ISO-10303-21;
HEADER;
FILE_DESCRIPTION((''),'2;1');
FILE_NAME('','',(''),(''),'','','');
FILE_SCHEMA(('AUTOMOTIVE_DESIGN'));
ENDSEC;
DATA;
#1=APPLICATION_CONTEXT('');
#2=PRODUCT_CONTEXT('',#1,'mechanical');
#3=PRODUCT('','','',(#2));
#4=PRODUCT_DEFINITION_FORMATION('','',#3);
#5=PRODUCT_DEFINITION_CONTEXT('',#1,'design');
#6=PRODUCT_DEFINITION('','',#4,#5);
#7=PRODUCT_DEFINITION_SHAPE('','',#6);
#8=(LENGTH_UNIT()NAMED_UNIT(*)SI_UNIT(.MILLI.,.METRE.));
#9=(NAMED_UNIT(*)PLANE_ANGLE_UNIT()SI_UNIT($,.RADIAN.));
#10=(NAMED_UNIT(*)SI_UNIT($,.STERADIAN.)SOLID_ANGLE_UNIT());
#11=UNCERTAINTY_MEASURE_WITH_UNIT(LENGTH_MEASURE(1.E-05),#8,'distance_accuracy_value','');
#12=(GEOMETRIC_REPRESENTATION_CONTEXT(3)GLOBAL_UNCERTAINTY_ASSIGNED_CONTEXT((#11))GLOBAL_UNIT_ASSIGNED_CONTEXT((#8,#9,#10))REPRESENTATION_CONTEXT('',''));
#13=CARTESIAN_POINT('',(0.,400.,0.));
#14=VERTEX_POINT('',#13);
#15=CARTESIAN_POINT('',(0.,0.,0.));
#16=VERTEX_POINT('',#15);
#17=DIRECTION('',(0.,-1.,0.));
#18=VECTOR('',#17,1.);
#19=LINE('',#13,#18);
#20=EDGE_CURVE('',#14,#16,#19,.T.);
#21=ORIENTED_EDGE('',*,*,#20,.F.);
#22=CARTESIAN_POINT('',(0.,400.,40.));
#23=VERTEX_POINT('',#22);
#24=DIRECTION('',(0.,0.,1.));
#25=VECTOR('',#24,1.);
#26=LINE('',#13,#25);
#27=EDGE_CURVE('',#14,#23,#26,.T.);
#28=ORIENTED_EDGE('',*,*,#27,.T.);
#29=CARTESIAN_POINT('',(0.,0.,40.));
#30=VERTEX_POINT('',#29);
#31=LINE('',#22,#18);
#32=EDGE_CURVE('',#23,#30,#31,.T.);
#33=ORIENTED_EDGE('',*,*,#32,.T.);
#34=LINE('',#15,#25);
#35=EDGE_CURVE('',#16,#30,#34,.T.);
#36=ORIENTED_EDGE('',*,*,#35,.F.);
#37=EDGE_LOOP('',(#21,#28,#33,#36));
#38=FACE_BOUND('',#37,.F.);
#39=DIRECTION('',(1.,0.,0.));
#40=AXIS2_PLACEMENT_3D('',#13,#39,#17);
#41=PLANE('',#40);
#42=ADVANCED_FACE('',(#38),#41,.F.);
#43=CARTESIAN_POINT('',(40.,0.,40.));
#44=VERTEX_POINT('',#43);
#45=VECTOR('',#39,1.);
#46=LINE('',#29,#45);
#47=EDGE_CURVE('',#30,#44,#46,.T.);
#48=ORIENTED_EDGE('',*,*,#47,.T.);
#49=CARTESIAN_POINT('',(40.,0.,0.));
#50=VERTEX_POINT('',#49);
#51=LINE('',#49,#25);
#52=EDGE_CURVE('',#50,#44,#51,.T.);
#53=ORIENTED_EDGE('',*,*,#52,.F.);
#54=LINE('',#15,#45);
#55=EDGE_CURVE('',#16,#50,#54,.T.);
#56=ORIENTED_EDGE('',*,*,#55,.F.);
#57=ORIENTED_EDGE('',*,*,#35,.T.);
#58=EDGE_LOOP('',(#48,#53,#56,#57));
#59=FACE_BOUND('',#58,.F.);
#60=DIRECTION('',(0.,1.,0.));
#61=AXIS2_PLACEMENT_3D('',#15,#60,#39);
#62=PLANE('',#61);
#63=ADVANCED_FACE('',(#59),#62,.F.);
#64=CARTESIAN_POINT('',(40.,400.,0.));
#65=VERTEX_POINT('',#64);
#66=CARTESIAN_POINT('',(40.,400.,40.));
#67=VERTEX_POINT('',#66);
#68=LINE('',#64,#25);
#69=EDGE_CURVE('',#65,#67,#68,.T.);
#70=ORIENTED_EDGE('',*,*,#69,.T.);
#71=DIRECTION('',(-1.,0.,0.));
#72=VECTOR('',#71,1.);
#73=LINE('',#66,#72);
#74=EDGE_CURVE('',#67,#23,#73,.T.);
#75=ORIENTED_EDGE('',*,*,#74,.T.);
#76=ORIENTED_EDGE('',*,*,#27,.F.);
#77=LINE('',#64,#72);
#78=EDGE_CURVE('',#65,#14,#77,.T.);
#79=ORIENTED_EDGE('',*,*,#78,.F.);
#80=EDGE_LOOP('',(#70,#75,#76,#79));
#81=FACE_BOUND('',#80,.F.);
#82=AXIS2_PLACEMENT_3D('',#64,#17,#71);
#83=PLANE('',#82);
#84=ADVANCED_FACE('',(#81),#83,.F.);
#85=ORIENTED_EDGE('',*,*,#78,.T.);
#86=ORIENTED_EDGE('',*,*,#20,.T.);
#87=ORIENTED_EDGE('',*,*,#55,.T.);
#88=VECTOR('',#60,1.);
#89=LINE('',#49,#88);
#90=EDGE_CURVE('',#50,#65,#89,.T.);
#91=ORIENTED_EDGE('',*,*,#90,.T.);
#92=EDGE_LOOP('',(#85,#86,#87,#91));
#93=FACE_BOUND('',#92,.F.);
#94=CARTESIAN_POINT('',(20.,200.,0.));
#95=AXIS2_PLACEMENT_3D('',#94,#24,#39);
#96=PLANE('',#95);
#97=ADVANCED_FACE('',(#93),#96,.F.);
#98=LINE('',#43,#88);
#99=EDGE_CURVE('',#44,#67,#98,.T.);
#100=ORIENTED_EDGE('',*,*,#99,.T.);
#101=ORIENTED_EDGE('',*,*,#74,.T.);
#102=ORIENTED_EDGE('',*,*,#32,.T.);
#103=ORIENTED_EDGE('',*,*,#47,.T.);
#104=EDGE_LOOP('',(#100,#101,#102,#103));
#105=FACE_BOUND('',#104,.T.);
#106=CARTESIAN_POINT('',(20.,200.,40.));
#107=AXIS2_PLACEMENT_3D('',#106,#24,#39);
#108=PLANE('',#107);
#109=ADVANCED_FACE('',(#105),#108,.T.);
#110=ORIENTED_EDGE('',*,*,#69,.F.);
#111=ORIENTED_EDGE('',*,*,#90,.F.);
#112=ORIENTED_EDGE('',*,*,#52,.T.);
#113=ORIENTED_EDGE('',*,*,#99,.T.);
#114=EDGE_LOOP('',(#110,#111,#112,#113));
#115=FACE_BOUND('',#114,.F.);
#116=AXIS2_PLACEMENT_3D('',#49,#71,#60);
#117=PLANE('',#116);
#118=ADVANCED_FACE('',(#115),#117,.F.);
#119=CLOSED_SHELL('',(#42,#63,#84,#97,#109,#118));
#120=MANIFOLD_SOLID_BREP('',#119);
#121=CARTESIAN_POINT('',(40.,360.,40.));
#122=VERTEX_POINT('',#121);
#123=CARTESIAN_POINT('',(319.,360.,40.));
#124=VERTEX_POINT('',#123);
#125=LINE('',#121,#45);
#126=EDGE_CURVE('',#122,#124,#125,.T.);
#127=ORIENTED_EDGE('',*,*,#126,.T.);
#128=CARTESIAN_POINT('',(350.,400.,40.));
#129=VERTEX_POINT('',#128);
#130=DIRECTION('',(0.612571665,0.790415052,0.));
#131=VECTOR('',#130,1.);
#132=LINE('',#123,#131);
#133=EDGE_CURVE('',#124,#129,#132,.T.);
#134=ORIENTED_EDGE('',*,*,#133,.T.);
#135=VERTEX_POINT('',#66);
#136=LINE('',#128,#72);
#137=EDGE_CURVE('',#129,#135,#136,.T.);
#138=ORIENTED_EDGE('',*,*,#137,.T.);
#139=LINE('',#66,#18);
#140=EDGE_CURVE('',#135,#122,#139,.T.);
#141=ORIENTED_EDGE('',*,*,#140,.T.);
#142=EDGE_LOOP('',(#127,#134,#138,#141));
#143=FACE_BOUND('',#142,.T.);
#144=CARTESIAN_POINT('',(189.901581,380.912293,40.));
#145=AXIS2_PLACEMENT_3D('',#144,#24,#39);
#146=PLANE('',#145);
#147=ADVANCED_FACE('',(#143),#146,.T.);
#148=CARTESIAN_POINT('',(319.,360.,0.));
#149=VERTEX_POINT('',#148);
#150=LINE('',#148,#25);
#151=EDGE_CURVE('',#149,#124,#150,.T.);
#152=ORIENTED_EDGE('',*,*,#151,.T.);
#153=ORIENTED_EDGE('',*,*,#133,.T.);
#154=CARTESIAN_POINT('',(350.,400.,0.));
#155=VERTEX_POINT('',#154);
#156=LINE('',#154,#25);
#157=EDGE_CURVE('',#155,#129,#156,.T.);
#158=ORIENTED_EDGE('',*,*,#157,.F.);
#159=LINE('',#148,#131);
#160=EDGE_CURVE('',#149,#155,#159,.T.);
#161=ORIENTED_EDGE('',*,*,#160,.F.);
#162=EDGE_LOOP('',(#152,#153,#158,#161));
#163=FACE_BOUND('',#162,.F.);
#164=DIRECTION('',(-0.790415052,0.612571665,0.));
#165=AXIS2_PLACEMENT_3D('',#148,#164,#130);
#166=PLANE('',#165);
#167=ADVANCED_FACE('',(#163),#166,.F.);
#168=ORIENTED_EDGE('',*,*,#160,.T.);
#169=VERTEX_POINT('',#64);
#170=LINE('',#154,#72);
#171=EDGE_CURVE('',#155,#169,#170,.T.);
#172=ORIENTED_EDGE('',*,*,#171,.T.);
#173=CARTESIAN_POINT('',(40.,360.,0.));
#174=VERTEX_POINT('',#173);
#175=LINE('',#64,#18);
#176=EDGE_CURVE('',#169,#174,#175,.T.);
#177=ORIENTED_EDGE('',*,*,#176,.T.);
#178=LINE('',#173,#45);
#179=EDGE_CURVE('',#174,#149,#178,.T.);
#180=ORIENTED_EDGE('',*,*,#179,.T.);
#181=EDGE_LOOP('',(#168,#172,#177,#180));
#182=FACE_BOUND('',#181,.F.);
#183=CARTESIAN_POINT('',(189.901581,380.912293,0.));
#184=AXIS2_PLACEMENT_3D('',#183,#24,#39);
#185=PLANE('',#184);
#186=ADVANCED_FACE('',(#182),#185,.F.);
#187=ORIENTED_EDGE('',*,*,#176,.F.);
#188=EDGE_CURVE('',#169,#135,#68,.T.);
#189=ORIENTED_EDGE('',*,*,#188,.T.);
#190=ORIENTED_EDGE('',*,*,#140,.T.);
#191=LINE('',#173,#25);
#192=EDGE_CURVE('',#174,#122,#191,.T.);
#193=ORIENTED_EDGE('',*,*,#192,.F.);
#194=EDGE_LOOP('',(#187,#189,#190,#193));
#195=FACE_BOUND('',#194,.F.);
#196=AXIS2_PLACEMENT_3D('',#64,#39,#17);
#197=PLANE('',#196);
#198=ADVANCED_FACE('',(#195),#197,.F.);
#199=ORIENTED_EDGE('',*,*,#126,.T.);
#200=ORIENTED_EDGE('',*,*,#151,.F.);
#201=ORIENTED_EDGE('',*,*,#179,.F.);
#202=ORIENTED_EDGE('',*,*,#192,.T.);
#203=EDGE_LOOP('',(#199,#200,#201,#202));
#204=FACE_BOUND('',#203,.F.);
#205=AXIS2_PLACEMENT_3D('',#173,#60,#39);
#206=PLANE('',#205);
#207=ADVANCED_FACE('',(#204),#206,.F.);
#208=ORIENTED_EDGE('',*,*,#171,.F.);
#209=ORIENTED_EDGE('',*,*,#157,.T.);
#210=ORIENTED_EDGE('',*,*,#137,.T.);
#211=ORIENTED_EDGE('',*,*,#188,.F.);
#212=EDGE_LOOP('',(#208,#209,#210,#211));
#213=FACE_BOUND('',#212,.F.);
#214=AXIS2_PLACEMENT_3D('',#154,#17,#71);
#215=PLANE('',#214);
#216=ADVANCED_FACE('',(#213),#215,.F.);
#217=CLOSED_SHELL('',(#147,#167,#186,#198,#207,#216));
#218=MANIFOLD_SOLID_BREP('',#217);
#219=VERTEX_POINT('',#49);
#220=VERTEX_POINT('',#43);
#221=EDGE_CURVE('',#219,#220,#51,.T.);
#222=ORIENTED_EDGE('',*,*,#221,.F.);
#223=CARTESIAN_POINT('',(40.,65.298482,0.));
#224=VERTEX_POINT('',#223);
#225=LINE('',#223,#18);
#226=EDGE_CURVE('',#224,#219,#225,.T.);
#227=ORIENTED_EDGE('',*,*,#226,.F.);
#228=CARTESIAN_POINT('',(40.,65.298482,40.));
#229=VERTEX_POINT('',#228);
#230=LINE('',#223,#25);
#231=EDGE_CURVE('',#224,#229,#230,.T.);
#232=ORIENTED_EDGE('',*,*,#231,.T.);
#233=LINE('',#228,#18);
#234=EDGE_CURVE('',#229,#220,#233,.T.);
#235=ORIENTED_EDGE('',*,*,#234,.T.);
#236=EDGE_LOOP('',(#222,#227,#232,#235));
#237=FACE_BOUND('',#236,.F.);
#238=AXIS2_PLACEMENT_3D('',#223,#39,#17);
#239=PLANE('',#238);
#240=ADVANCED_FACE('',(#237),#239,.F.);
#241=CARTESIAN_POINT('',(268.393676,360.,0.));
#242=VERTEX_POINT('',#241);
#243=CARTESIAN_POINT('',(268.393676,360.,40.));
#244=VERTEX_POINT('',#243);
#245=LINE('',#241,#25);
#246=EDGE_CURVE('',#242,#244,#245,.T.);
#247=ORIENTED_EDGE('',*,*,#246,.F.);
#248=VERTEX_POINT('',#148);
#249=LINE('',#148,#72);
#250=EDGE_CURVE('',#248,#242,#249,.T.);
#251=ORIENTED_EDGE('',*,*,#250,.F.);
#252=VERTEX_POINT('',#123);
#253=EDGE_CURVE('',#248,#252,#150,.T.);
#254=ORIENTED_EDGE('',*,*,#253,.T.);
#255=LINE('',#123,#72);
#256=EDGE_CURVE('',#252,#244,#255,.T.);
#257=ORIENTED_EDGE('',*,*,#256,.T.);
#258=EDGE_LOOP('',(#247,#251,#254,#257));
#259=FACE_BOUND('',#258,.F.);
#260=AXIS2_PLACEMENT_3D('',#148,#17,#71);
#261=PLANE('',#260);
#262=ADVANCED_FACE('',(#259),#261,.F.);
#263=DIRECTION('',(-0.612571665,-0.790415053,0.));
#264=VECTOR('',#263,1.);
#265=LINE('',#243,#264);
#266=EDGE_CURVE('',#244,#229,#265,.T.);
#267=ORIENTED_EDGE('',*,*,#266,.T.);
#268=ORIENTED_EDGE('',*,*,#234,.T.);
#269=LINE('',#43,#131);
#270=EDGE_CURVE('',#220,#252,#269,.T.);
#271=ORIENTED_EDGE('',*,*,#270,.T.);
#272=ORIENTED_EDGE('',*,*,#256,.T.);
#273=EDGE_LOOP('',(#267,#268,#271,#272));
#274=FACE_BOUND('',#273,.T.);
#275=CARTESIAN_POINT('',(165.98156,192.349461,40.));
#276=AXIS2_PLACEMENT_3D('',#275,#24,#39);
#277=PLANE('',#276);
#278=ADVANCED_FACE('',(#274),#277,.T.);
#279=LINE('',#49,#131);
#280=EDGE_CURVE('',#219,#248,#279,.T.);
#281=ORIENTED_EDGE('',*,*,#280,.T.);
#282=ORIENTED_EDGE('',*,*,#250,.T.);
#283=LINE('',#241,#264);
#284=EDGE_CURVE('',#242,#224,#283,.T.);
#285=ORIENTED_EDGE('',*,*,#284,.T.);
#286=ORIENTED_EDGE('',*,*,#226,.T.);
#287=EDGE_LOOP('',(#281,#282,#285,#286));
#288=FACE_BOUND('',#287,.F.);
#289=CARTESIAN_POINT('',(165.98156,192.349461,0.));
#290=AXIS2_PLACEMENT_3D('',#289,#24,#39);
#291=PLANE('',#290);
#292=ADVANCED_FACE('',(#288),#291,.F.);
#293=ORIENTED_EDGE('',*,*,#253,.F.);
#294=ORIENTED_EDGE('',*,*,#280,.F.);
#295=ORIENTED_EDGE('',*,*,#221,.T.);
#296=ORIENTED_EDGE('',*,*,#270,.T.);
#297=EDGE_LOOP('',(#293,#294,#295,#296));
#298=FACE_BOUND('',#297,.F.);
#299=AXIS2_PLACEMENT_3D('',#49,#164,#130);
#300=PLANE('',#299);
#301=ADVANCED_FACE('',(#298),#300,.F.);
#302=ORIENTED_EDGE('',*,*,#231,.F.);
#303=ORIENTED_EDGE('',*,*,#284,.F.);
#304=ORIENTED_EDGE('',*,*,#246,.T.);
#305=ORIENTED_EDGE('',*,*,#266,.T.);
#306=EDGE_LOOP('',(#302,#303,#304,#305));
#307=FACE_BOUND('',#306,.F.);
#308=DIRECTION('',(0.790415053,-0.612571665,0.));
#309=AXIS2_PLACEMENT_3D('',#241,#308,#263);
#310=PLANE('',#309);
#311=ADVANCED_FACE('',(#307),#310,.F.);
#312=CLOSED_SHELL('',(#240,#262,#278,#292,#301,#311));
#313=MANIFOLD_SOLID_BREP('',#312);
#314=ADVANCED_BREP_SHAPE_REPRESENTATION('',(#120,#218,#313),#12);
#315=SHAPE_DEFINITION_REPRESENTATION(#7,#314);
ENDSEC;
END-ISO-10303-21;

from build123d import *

# Parameters (mm, degrees)
F1_DEPTH = 40
F2_DEPTH = 40
F3_DEPTH = 40


with BuildPart() as f1:
    # F0 (on Top) → F1 (new body)
    with BuildSketch(Plane.XY):
        Polygon((350, 400), (40, 400), (40, 360), (268.393676, 360), (319, 360), align=None)
    extrude(amount=F1_DEPTH)


with BuildPart() as f2:
    # F0 (on Top) → F2 (new body)
    with BuildSketch(Plane.XY):
        Polygon((40, 65.298482), (40, 0), (319, 360), (268.393676, 360), align=None)
    extrude(amount=F2_DEPTH)


with BuildPart() as f3:
    # F0 (on Top) → F3 (new body)
    with BuildSketch(Plane.XY):
        Polygon((0, 400), (0, 0), (40, 0), (40, 65.298482), (40, 360), (40, 400), align=None)
    extrude(amount=F3_DEPTH)


solid = Compound([f1.part, f2.part, f3.part])
